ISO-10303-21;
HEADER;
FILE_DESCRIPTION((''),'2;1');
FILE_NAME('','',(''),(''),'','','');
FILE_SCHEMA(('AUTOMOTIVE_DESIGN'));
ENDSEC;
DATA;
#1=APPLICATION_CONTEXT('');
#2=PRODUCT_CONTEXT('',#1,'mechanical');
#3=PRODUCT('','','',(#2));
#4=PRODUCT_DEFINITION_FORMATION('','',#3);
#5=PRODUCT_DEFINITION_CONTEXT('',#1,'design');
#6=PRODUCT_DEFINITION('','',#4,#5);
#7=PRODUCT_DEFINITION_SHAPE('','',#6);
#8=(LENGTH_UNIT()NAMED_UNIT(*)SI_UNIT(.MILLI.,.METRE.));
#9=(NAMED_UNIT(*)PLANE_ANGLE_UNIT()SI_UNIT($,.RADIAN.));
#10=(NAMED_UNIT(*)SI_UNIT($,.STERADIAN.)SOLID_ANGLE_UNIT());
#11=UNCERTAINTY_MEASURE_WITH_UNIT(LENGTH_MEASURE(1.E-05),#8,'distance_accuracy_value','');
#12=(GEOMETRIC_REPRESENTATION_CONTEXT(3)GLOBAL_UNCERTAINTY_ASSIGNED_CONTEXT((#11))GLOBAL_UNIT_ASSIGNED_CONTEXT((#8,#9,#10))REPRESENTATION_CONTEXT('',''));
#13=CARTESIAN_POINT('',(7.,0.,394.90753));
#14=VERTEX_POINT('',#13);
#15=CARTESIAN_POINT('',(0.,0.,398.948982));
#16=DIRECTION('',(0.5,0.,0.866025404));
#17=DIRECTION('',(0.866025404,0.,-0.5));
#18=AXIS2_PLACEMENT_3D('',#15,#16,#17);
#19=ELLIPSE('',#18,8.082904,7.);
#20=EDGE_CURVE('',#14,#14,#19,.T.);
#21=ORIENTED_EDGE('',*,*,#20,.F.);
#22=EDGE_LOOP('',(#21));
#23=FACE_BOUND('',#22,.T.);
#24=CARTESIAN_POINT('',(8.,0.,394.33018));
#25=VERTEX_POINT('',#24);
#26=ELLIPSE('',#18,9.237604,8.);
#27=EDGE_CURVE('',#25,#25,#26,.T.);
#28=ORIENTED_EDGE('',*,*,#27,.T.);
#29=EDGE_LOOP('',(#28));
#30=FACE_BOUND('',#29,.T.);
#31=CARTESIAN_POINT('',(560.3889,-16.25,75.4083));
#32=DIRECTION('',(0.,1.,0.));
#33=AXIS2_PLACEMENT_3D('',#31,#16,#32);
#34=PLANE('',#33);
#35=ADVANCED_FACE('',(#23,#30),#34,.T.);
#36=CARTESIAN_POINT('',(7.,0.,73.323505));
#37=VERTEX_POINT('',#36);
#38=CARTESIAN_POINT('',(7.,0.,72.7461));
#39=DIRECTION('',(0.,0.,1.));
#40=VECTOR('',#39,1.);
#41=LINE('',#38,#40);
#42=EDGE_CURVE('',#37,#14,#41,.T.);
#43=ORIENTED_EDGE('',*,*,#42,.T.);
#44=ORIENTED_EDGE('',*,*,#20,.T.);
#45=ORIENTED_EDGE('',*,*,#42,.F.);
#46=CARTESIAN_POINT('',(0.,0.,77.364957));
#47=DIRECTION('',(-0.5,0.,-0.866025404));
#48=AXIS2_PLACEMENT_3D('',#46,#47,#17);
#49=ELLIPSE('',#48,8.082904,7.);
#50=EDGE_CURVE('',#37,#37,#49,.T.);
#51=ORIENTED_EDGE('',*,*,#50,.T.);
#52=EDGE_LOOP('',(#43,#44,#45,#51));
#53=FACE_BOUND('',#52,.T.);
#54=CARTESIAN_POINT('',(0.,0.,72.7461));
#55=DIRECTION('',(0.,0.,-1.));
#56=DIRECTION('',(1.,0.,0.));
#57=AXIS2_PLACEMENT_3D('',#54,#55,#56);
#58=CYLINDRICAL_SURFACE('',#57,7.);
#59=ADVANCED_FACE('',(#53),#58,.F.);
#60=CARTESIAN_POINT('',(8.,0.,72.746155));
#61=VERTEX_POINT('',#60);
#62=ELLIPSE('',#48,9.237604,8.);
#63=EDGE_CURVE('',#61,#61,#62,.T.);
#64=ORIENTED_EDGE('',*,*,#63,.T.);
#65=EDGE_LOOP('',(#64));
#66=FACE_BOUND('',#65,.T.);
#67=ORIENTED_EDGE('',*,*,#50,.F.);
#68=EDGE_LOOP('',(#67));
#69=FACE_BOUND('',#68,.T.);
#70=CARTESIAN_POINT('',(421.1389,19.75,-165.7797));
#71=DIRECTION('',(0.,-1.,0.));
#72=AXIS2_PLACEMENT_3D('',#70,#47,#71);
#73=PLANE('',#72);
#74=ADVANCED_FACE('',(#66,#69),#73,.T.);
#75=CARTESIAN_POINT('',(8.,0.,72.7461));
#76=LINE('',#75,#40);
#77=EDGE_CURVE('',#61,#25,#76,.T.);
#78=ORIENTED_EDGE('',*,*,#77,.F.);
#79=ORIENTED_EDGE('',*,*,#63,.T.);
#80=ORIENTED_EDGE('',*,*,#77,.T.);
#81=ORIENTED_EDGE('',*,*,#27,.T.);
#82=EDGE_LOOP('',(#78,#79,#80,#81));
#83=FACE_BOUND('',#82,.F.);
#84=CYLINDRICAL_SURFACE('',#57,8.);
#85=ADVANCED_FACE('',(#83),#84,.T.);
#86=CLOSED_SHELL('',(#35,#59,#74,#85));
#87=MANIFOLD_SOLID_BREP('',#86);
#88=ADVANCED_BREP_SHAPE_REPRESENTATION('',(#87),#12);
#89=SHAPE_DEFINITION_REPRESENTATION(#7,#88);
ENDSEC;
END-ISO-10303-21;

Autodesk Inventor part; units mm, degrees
ref_plane "Начальная плоскость" through (0, 0, 72.7461) normal (0, 0, 1) x (1, 0, 0)
ref_plane "Конечная плоскость" through (0, 0, 403.5678) normal (0, 0, 1) x (1, 0, 0)
sketch "Эскиз" plane through (0, 0, 0) normal (0, 0, 1) x (1, 0, 0)
  circle A0 centre (0, 0) radius 7
  circle A1 centre (0, 0) radius 8
  dimension "d0" = 16
  dimension "d1" = 1
extrude "Базовый элемент" add sketch "Эскиз" along normal up to surface (330.8217 mm away) from surface at 72.7461
sketch "Sketch3" plane through (0, 0, 0) normal (0, 0, 1) x (1, 0, 0)
  line L0 (0, 0) -> (10, 0)
ref_plane "Work Plane3" through (0, 0, 0) normal (0, -1, 0) x (1, 0, 0)
sketch "Sketch4" plane through (0, 0, 0) normal (0, -1, 0) x (1, 0, 0)
  line L0 (-2, 72.7461) -> (12, 72.7461)
  line L1 (-2, 403.5678) -> (12, 403.5678)
  dimension "d7" = 330.8217
ref_plane "РабПлоскость4" through (560.3889, -16.25, 75.4083) normal (0.5, 0, 0.866) x (0.866, 0, -0.5)
split "Разделение1" plane through (560.3889, -16.25, 75.4083) removes the side toward (0.5, 0, 0.866)
ref_plane "РабПлоскость5" through (421.1389, 19.75, -165.7797) normal (-0.5, 0, -0.866) x (-0.866, 0, 0.5)
split "Разделение2" plane through (421.1389, 19.75, -165.7797) removes the side toward (-0.5, 0, -0.866)
equation "\"d0\" = G_H"
equation "\"d1\" = G_T"
equation "\"d2\" = G_L"
equation "\"G_H\" = 16"
equation "\"G_T\" = 1"
equation "\"G_L\" = d7"
equation "\"G_OFFSET_START\" = -72.74613"
equation "\"G_OFFSET_END\" = -35.21837"
equation "\"d4\" = -G_OFFSET_START"
equation "\"d5\" = G_OFFSET_END + B_L"
equation "\"B_L\" = 438.7862"
properties part number "Труба 16x1-330,82 ГОСТ 10704-91" material "Сталь, мягкая"
